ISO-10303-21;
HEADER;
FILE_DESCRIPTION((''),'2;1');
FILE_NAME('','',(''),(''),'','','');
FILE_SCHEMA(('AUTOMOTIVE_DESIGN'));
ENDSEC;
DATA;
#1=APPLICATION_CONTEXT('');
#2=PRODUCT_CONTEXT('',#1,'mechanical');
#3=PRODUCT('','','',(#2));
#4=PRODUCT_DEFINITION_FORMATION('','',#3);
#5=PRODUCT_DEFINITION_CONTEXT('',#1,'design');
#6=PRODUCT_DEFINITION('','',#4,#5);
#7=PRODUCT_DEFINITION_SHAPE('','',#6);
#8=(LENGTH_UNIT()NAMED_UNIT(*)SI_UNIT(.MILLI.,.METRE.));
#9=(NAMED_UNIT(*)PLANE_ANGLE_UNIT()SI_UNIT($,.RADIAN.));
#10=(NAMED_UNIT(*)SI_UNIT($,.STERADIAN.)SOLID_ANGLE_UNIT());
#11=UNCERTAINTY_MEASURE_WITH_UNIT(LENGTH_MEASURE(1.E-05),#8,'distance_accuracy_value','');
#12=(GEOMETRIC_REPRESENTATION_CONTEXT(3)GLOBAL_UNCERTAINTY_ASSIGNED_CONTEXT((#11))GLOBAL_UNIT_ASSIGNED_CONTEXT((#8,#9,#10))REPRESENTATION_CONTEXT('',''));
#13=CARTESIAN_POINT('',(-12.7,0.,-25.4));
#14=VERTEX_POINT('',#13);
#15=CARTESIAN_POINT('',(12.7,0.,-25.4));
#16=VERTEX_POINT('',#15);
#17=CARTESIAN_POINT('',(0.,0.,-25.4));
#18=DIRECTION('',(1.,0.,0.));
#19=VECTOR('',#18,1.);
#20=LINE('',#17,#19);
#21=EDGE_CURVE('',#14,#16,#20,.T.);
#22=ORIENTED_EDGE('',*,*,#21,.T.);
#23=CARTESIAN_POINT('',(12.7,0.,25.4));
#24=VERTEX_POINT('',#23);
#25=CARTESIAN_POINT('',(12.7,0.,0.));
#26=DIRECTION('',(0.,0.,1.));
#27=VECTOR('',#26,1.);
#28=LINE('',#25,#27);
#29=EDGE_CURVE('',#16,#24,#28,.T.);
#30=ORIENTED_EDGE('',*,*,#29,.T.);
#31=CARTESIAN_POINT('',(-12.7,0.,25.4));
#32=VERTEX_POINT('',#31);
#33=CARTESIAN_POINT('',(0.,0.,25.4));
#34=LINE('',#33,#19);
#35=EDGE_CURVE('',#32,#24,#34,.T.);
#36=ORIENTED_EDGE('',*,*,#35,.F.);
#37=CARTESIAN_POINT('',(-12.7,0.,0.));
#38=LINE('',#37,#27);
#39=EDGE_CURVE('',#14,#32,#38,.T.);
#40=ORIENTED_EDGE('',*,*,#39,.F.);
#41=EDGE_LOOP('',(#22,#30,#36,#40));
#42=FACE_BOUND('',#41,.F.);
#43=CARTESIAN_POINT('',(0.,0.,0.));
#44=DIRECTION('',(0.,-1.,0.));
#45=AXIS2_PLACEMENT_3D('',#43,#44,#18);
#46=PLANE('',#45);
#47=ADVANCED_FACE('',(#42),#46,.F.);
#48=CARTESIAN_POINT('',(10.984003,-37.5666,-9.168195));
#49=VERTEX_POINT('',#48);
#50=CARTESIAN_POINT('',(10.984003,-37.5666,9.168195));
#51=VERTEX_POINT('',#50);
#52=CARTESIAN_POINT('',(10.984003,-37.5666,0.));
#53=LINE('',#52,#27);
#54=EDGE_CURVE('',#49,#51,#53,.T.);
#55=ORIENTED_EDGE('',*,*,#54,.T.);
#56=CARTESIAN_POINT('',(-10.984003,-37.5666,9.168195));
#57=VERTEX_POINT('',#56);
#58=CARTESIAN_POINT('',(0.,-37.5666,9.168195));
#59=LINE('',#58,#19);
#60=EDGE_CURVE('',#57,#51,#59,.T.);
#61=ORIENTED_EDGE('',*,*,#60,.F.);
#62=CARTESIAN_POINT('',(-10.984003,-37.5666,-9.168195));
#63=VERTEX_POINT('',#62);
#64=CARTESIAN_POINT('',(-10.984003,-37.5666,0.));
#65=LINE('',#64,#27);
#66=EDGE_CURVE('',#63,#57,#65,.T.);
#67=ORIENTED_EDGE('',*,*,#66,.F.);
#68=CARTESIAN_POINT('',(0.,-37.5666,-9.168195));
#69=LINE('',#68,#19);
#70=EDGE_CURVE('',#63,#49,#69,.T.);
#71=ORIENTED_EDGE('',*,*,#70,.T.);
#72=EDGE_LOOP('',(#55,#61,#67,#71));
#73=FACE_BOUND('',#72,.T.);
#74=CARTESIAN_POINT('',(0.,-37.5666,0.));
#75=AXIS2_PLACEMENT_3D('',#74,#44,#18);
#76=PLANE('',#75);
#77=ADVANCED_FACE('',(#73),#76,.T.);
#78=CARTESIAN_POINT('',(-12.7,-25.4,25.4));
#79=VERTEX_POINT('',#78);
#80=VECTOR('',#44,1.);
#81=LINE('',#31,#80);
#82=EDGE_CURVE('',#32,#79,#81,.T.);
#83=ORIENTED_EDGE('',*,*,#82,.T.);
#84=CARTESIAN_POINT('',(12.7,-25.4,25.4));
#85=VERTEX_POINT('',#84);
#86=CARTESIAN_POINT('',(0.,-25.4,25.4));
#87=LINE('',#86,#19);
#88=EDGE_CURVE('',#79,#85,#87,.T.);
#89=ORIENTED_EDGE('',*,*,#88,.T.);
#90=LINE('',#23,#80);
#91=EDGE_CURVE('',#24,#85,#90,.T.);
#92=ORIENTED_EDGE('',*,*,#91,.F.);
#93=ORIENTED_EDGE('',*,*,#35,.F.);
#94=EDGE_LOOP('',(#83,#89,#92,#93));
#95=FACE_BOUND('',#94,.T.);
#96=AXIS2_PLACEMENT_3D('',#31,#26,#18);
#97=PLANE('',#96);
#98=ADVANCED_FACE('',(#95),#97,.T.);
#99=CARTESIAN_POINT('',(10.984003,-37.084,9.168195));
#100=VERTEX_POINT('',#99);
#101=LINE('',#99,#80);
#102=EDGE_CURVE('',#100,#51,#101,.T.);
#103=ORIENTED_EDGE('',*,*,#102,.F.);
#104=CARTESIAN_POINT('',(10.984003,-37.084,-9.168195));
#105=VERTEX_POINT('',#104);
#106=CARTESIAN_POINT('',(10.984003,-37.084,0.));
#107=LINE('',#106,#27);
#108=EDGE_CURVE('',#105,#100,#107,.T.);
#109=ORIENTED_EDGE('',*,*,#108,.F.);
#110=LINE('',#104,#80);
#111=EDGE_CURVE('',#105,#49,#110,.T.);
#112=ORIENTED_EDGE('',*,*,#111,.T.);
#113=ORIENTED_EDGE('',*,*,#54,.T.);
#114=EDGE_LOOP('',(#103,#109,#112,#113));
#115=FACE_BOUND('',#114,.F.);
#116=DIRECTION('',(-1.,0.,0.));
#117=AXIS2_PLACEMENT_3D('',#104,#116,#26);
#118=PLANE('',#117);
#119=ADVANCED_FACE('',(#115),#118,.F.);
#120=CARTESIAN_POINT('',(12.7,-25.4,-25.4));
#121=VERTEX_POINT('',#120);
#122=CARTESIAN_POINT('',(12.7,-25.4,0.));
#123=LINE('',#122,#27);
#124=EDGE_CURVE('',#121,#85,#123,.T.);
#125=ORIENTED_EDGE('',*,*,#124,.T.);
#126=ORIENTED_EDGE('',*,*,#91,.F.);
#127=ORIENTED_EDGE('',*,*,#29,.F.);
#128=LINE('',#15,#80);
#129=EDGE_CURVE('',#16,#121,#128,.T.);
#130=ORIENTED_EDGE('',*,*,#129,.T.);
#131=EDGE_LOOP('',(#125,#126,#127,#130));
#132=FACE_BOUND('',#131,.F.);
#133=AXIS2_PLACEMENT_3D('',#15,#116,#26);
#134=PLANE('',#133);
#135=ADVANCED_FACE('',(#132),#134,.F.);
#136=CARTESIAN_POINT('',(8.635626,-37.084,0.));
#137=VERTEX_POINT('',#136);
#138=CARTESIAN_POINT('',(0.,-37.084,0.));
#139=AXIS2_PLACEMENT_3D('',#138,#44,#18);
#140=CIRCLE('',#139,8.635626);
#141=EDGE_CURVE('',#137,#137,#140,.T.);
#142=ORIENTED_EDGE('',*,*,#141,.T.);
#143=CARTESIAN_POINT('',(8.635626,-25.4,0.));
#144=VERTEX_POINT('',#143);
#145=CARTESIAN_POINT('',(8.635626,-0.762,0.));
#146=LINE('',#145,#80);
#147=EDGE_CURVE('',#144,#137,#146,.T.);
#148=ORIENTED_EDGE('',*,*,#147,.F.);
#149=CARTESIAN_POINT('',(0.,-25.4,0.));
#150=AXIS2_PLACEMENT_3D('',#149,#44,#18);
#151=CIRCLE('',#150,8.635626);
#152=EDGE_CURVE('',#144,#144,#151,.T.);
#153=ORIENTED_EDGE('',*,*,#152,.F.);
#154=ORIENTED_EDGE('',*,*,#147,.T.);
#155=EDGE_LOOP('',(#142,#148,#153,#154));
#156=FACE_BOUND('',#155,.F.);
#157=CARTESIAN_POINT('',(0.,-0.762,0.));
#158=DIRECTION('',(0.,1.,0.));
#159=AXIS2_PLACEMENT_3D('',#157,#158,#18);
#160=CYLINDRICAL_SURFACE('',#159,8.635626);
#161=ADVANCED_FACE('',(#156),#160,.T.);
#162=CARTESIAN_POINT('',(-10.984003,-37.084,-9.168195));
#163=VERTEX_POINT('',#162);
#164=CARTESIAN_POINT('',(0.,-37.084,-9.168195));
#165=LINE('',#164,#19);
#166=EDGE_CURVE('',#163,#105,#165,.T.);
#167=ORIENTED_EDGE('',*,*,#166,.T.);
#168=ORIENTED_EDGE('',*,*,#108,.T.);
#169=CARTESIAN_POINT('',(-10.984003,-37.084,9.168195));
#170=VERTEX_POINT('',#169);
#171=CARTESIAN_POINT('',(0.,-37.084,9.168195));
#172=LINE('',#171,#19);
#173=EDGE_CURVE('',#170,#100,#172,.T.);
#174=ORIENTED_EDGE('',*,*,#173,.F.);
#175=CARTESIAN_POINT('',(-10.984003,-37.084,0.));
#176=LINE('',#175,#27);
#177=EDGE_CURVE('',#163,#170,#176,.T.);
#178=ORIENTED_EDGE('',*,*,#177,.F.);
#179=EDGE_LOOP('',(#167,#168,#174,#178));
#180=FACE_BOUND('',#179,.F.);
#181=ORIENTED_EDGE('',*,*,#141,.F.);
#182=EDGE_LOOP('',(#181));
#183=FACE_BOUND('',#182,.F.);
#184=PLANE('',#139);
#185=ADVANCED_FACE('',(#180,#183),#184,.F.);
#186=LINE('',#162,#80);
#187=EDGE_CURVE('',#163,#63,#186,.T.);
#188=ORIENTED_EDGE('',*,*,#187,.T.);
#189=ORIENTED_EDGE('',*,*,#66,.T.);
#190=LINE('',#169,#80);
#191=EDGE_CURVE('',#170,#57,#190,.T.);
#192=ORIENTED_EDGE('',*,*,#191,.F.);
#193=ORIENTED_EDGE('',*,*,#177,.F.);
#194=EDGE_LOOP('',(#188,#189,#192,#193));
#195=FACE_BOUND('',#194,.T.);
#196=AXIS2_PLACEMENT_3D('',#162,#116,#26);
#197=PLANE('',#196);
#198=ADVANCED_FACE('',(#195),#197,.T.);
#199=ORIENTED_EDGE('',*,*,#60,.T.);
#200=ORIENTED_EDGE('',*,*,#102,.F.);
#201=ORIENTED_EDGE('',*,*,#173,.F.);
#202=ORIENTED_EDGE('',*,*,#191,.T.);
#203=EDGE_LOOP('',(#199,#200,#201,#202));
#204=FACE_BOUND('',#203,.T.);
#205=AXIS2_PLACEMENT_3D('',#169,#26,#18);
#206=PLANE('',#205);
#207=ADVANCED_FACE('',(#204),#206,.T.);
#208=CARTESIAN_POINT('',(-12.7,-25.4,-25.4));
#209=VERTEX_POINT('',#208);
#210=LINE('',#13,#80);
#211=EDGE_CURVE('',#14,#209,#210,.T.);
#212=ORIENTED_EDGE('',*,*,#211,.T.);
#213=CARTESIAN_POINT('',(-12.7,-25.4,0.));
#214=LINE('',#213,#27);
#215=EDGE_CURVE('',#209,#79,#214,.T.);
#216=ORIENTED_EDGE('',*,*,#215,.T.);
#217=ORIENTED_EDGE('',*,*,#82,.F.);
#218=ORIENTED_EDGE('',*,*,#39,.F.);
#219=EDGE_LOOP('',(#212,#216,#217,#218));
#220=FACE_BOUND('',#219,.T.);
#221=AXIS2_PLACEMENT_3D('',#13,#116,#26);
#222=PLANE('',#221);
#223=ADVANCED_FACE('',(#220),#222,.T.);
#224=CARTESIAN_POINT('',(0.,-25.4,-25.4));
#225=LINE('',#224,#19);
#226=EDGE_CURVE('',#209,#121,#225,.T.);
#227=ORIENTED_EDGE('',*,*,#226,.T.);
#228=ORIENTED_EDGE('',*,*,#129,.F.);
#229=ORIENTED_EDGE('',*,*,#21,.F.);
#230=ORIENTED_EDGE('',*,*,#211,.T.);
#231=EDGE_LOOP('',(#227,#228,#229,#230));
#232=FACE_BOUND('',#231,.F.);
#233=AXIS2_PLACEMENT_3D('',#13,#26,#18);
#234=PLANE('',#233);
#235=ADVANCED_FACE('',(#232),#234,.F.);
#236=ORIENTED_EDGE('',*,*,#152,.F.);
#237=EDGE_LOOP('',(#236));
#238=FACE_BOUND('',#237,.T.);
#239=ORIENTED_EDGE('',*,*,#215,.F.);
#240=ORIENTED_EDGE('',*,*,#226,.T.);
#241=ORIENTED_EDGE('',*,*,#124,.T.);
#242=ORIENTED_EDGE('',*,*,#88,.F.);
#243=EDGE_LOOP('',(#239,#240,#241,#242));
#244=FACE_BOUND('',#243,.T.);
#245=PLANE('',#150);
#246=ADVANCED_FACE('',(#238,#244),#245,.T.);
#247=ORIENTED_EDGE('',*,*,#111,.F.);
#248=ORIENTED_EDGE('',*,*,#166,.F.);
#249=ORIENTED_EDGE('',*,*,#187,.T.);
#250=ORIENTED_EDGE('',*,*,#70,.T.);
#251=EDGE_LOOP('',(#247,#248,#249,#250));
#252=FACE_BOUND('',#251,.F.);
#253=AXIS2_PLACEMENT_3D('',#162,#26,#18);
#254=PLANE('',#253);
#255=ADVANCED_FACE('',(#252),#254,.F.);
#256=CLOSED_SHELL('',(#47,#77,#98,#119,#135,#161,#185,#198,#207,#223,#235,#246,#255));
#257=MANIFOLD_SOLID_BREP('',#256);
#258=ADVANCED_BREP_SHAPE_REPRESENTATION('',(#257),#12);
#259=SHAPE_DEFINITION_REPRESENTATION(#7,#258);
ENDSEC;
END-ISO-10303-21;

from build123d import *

# Parameters (mm, degrees)
F0_W      = 25.4
F0_H      = 50.8
F1_DEPTH  = 25.4
F2_R      = 8.635626
F3_DEPTH  = 24.638
F3_FACE_R = 8.635626
F4_DEPTH  = 36.322
F5_W      = 21.968006
F5_H      = 18.33639
F6_DEPTH  = 0.4826


with BuildPart() as f1:
    # F0 (on Front) → F1 (new body)
    with BuildSketch(Plane.XZ):
        Rectangle(F0_W, F0_H)
    extrude(amount=F1_DEPTH)

    # F2 (on face) → F3 (cut)
    with BuildSketch(Plane.XZ.offset(25.4)):
        Circle(F2_R)
    extrude(amount=-F3_DEPTH, mode=Mode.SUBTRACT)

    # F3_face (on face) → F4 (join)
    with BuildSketch(Plane.XZ.offset(0.762)):
        Circle(F3_FACE_R)
    extrude(amount=F4_DEPTH)

    # F5 (on face) → F6 (join)
    with BuildSketch(Plane.XZ.offset(37.084)):
        Rectangle(F5_W, F5_H)
    extrude(amount=F6_DEPTH)


solid = f1.part
